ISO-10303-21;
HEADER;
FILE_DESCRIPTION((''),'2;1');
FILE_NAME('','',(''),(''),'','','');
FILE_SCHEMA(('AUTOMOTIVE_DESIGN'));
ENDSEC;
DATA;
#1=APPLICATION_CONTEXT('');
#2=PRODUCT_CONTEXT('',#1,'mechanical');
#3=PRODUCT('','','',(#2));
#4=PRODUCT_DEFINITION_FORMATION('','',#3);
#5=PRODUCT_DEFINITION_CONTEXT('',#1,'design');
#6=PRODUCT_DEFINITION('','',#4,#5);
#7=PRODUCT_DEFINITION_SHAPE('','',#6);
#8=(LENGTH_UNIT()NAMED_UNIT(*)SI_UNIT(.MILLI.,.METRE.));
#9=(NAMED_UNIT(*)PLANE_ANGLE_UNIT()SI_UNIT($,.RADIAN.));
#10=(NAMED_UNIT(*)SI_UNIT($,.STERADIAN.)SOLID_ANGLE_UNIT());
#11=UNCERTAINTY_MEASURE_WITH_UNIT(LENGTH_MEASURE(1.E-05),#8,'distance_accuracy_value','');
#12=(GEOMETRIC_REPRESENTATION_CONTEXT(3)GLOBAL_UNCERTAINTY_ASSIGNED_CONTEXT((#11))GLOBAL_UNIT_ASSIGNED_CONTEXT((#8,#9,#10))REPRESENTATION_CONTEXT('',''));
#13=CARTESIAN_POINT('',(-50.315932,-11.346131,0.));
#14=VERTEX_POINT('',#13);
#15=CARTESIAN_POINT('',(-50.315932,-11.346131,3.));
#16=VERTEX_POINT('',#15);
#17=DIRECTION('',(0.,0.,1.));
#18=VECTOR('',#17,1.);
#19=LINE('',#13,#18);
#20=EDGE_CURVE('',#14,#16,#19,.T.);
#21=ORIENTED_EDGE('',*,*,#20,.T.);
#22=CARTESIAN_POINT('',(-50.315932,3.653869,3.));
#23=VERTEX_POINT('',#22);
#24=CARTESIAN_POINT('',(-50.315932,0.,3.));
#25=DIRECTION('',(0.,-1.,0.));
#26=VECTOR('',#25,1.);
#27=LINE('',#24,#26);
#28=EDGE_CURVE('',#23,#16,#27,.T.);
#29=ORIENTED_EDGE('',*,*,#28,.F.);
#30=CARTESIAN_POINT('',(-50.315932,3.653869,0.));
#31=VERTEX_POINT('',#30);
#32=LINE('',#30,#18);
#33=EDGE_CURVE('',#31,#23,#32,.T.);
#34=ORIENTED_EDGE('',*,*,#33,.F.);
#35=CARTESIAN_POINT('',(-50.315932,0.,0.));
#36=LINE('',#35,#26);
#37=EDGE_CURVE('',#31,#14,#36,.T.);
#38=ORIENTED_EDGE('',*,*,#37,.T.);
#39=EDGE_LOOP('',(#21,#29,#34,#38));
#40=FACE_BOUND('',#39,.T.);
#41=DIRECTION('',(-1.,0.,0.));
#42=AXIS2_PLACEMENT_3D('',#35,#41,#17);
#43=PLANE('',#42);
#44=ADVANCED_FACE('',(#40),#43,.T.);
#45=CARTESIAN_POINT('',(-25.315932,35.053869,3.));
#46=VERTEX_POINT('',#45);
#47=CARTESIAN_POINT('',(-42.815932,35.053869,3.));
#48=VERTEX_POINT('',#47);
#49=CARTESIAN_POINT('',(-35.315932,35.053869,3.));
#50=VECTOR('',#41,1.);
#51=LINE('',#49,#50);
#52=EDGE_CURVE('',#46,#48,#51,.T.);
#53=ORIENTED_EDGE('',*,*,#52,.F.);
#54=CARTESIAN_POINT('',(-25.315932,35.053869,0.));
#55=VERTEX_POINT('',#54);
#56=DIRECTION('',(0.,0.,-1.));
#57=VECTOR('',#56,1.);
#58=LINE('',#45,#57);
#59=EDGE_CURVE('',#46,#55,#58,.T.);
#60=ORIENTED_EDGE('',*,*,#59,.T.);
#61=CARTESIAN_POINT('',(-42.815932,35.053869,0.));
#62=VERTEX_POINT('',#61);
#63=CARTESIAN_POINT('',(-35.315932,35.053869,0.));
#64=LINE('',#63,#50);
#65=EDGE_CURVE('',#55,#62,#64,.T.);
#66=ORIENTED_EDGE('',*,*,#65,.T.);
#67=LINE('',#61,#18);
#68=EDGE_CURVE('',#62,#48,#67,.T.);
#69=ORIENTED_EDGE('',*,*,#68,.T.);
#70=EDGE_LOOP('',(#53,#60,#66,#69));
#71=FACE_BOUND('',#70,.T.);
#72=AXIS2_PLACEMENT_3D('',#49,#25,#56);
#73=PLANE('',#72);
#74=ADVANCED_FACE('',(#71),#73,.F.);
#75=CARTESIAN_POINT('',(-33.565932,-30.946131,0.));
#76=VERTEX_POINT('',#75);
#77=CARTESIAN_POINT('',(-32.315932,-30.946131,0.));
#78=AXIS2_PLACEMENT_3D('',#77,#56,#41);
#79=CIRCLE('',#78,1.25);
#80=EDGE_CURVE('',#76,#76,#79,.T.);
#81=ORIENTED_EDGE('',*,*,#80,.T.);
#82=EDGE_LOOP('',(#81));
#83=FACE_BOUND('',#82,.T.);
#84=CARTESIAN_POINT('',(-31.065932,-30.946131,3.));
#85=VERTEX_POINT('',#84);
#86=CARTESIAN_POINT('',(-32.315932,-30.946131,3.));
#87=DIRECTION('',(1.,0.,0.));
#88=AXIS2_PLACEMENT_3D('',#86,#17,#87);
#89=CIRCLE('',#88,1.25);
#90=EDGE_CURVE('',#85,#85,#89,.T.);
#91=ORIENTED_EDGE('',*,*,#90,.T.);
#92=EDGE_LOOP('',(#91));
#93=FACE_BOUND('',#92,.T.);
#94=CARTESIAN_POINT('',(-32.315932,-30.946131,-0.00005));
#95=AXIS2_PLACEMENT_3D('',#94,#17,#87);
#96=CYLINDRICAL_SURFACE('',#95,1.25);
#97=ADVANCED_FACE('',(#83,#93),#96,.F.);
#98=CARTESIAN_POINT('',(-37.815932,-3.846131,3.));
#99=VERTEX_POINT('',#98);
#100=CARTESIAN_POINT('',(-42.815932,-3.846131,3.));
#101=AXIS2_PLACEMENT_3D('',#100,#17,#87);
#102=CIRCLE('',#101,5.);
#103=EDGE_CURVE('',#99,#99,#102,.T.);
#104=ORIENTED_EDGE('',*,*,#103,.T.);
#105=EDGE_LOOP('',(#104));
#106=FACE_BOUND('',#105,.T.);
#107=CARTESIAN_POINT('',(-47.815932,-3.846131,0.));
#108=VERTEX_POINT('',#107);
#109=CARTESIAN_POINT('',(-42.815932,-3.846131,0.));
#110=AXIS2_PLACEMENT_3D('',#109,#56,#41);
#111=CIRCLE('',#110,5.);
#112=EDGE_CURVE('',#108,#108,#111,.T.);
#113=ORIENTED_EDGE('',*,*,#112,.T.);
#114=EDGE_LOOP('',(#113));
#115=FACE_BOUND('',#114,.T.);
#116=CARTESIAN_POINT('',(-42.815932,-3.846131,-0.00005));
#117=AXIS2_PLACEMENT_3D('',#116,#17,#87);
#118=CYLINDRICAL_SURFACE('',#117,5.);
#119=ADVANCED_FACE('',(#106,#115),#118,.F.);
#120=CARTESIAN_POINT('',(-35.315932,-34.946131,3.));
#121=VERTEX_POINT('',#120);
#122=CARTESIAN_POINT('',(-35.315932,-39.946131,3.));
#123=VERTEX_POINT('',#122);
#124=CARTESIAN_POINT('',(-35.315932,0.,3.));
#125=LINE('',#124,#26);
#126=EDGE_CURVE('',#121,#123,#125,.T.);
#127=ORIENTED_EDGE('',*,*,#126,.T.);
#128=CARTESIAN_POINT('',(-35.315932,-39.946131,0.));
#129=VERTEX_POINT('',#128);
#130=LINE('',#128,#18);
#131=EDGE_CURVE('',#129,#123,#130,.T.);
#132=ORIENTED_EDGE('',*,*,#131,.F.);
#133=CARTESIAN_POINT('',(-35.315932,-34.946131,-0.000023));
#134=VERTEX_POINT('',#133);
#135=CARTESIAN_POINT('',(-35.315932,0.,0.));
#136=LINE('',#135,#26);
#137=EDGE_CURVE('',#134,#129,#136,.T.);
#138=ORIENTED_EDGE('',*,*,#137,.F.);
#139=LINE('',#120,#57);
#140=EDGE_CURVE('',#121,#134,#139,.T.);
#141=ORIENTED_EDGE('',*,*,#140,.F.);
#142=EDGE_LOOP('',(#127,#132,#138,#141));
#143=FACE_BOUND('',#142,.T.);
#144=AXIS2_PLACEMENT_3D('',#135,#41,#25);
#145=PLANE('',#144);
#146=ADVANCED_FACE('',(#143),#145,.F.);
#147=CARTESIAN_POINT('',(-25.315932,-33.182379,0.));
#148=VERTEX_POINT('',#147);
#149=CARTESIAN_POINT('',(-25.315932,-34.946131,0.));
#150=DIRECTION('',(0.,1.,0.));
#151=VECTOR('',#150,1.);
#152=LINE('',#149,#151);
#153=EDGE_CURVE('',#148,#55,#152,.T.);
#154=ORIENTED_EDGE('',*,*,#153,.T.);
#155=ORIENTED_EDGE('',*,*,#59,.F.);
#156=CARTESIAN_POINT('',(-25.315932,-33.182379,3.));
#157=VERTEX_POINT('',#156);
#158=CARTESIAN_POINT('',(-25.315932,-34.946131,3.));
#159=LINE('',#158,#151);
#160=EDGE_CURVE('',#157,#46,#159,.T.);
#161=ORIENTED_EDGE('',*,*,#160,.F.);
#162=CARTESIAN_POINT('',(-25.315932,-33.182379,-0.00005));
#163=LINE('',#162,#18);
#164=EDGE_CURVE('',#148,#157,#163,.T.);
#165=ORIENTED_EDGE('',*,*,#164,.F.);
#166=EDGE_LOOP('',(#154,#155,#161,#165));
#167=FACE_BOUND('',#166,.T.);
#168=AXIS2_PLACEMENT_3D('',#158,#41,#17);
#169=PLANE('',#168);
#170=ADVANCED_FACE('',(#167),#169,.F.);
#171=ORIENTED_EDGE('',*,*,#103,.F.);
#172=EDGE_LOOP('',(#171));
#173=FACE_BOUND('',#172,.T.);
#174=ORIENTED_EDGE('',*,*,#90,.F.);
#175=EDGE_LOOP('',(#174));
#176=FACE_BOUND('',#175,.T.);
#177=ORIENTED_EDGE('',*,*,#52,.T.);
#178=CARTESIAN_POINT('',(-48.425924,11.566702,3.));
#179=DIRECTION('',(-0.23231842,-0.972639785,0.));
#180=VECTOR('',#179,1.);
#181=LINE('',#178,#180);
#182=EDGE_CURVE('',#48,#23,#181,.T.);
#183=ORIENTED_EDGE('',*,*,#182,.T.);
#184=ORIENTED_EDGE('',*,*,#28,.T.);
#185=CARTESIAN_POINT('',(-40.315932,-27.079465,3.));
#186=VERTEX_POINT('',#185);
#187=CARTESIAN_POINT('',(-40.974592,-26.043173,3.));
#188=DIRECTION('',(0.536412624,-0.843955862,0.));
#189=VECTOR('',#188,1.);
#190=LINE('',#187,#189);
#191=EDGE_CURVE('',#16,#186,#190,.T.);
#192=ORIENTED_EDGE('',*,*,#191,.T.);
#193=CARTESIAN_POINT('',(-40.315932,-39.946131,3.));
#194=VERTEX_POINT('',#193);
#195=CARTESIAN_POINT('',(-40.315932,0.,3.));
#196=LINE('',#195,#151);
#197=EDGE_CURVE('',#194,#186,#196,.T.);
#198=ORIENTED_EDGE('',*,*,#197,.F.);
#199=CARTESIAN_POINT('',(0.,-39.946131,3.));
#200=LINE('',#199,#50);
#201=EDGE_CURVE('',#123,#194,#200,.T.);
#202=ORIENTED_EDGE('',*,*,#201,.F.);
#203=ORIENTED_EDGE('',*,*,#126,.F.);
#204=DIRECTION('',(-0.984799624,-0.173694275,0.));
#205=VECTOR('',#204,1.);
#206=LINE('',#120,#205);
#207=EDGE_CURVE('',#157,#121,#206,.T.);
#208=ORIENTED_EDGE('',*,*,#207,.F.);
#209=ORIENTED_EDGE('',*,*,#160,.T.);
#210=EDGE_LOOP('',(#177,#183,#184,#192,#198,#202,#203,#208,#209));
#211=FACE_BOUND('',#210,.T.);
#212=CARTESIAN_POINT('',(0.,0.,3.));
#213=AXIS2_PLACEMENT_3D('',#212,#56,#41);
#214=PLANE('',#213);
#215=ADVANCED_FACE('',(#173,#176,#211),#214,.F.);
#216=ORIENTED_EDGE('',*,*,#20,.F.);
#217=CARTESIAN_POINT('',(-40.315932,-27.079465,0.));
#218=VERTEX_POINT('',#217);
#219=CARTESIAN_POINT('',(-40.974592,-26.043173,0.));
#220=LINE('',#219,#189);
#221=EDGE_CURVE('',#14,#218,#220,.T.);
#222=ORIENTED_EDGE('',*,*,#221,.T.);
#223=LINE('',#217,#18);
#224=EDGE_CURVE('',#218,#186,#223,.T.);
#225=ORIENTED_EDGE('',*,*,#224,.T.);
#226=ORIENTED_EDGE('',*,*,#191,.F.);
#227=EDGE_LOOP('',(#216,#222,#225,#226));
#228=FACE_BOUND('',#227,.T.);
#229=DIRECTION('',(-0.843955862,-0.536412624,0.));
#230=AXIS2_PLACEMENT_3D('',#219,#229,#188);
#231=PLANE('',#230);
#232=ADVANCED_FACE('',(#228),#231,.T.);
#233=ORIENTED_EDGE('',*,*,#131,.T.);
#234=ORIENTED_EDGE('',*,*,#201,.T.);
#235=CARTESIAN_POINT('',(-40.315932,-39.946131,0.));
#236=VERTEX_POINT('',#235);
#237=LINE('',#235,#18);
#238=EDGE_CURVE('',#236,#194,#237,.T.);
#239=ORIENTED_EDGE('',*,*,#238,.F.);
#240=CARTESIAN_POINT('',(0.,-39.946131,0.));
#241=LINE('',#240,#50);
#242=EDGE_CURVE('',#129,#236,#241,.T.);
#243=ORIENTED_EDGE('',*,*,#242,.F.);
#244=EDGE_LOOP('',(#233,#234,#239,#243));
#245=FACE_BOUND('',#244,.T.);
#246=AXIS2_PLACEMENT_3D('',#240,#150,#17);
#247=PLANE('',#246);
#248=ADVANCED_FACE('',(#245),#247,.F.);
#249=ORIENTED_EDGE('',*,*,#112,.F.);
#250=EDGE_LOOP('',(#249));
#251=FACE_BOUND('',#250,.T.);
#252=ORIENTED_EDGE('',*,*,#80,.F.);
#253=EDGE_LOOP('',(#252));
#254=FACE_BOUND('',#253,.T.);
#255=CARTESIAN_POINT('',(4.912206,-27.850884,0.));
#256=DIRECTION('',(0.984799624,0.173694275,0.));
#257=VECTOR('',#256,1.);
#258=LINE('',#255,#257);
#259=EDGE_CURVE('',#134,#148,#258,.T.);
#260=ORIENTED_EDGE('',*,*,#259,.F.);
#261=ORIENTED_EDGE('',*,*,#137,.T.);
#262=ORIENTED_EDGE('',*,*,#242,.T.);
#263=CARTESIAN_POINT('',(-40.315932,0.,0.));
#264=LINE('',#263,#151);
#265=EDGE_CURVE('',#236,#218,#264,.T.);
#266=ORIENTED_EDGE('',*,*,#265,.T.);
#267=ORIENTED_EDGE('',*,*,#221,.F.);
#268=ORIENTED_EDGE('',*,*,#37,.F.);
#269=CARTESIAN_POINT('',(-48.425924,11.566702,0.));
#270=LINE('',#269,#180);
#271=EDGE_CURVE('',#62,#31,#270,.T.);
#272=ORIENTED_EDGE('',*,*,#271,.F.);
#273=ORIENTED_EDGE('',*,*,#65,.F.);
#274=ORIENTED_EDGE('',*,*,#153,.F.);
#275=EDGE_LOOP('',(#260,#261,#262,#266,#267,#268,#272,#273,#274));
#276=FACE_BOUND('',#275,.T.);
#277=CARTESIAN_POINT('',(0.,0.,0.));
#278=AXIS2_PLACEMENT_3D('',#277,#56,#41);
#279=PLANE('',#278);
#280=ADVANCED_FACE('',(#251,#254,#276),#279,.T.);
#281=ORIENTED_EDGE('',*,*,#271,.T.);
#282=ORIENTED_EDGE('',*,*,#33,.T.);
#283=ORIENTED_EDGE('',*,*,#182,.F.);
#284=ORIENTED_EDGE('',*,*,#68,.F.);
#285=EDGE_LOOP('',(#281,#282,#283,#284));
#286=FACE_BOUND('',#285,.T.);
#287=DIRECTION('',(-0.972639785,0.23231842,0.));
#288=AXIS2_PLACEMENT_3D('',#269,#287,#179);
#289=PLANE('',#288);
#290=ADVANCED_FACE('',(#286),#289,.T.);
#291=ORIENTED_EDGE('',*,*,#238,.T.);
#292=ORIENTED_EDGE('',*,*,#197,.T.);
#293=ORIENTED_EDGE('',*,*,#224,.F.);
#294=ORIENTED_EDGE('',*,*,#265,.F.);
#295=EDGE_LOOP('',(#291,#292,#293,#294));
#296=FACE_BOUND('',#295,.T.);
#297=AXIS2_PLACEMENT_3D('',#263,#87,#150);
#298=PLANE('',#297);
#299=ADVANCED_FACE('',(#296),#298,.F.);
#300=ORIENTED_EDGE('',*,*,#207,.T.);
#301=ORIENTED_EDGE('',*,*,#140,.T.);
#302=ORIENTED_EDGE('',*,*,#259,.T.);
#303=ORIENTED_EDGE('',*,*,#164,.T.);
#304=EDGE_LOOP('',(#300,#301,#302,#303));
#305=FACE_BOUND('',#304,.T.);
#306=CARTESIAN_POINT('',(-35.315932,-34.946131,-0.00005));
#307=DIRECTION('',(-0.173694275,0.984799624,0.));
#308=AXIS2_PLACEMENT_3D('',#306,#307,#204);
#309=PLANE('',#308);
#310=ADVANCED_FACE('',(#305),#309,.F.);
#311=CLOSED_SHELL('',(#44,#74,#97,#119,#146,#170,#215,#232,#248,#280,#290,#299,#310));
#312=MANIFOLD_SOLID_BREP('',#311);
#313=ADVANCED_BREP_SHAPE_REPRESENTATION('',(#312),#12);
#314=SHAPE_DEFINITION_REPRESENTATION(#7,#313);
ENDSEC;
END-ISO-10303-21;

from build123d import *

# Parameters (mm, degrees)
SKETCH1_W           = 10
SKETCH1_H           = 70
BOSS_EXTRUDE1_DEPTH = 3
BOSS_EXTRUDE2_DEPTH = 3
SKETCH3_R           = 5
SKETCH3_R_2         = 1.25
CUT_EXTRUDE1_DEPTH  = 4


with BuildPart() as part:
    # Sketch1 → Boss-Extrude1 (new body)
    with BuildSketch(Plane.XY):
        with Locations((-30.31593178, 0.053868552)):
            Rectangle(SKETCH1_W, SKETCH1_H)
    extrude(amount=BOSS_EXTRUDE1_DEPTH)

    # Sketch2 → Boss-Extrude2 (add)
    with BuildSketch(Plane.XY.offset(3)):
        Polygon((-40.31593178, -39.946131448), (-40.31593178, -27.079464781), (-50.31593178, -11.346131448), (-50.31593178, 3.653868552), (-42.81593178, 35.053868552), (-35.31593178, 35.053868552), (-35.31593178, -34.946131448), (-35.31593178, -39.946131448), align=None)
    extrude(amount=-BOSS_EXTRUDE2_DEPTH)

    # Sketch3 → Cut-Extrude1 (cut, through all)
    with BuildSketch(Plane.XY.offset(3)):
        with Locations((-42.81593178, -3.846131448)):
            Circle(SKETCH3_R)
        with Locations((-32.31593178, -30.946131448)):
            Circle(SKETCH3_R_2)
        Polygon((-35.31593178, -34.946131448), (-25.31593178, -33.182379001), (-25.31593178, -34.946131448), align=None)
    extrude(amount=-CUT_EXTRUDE1_DEPTH, mode=Mode.SUBTRACT)


solid = part.part
